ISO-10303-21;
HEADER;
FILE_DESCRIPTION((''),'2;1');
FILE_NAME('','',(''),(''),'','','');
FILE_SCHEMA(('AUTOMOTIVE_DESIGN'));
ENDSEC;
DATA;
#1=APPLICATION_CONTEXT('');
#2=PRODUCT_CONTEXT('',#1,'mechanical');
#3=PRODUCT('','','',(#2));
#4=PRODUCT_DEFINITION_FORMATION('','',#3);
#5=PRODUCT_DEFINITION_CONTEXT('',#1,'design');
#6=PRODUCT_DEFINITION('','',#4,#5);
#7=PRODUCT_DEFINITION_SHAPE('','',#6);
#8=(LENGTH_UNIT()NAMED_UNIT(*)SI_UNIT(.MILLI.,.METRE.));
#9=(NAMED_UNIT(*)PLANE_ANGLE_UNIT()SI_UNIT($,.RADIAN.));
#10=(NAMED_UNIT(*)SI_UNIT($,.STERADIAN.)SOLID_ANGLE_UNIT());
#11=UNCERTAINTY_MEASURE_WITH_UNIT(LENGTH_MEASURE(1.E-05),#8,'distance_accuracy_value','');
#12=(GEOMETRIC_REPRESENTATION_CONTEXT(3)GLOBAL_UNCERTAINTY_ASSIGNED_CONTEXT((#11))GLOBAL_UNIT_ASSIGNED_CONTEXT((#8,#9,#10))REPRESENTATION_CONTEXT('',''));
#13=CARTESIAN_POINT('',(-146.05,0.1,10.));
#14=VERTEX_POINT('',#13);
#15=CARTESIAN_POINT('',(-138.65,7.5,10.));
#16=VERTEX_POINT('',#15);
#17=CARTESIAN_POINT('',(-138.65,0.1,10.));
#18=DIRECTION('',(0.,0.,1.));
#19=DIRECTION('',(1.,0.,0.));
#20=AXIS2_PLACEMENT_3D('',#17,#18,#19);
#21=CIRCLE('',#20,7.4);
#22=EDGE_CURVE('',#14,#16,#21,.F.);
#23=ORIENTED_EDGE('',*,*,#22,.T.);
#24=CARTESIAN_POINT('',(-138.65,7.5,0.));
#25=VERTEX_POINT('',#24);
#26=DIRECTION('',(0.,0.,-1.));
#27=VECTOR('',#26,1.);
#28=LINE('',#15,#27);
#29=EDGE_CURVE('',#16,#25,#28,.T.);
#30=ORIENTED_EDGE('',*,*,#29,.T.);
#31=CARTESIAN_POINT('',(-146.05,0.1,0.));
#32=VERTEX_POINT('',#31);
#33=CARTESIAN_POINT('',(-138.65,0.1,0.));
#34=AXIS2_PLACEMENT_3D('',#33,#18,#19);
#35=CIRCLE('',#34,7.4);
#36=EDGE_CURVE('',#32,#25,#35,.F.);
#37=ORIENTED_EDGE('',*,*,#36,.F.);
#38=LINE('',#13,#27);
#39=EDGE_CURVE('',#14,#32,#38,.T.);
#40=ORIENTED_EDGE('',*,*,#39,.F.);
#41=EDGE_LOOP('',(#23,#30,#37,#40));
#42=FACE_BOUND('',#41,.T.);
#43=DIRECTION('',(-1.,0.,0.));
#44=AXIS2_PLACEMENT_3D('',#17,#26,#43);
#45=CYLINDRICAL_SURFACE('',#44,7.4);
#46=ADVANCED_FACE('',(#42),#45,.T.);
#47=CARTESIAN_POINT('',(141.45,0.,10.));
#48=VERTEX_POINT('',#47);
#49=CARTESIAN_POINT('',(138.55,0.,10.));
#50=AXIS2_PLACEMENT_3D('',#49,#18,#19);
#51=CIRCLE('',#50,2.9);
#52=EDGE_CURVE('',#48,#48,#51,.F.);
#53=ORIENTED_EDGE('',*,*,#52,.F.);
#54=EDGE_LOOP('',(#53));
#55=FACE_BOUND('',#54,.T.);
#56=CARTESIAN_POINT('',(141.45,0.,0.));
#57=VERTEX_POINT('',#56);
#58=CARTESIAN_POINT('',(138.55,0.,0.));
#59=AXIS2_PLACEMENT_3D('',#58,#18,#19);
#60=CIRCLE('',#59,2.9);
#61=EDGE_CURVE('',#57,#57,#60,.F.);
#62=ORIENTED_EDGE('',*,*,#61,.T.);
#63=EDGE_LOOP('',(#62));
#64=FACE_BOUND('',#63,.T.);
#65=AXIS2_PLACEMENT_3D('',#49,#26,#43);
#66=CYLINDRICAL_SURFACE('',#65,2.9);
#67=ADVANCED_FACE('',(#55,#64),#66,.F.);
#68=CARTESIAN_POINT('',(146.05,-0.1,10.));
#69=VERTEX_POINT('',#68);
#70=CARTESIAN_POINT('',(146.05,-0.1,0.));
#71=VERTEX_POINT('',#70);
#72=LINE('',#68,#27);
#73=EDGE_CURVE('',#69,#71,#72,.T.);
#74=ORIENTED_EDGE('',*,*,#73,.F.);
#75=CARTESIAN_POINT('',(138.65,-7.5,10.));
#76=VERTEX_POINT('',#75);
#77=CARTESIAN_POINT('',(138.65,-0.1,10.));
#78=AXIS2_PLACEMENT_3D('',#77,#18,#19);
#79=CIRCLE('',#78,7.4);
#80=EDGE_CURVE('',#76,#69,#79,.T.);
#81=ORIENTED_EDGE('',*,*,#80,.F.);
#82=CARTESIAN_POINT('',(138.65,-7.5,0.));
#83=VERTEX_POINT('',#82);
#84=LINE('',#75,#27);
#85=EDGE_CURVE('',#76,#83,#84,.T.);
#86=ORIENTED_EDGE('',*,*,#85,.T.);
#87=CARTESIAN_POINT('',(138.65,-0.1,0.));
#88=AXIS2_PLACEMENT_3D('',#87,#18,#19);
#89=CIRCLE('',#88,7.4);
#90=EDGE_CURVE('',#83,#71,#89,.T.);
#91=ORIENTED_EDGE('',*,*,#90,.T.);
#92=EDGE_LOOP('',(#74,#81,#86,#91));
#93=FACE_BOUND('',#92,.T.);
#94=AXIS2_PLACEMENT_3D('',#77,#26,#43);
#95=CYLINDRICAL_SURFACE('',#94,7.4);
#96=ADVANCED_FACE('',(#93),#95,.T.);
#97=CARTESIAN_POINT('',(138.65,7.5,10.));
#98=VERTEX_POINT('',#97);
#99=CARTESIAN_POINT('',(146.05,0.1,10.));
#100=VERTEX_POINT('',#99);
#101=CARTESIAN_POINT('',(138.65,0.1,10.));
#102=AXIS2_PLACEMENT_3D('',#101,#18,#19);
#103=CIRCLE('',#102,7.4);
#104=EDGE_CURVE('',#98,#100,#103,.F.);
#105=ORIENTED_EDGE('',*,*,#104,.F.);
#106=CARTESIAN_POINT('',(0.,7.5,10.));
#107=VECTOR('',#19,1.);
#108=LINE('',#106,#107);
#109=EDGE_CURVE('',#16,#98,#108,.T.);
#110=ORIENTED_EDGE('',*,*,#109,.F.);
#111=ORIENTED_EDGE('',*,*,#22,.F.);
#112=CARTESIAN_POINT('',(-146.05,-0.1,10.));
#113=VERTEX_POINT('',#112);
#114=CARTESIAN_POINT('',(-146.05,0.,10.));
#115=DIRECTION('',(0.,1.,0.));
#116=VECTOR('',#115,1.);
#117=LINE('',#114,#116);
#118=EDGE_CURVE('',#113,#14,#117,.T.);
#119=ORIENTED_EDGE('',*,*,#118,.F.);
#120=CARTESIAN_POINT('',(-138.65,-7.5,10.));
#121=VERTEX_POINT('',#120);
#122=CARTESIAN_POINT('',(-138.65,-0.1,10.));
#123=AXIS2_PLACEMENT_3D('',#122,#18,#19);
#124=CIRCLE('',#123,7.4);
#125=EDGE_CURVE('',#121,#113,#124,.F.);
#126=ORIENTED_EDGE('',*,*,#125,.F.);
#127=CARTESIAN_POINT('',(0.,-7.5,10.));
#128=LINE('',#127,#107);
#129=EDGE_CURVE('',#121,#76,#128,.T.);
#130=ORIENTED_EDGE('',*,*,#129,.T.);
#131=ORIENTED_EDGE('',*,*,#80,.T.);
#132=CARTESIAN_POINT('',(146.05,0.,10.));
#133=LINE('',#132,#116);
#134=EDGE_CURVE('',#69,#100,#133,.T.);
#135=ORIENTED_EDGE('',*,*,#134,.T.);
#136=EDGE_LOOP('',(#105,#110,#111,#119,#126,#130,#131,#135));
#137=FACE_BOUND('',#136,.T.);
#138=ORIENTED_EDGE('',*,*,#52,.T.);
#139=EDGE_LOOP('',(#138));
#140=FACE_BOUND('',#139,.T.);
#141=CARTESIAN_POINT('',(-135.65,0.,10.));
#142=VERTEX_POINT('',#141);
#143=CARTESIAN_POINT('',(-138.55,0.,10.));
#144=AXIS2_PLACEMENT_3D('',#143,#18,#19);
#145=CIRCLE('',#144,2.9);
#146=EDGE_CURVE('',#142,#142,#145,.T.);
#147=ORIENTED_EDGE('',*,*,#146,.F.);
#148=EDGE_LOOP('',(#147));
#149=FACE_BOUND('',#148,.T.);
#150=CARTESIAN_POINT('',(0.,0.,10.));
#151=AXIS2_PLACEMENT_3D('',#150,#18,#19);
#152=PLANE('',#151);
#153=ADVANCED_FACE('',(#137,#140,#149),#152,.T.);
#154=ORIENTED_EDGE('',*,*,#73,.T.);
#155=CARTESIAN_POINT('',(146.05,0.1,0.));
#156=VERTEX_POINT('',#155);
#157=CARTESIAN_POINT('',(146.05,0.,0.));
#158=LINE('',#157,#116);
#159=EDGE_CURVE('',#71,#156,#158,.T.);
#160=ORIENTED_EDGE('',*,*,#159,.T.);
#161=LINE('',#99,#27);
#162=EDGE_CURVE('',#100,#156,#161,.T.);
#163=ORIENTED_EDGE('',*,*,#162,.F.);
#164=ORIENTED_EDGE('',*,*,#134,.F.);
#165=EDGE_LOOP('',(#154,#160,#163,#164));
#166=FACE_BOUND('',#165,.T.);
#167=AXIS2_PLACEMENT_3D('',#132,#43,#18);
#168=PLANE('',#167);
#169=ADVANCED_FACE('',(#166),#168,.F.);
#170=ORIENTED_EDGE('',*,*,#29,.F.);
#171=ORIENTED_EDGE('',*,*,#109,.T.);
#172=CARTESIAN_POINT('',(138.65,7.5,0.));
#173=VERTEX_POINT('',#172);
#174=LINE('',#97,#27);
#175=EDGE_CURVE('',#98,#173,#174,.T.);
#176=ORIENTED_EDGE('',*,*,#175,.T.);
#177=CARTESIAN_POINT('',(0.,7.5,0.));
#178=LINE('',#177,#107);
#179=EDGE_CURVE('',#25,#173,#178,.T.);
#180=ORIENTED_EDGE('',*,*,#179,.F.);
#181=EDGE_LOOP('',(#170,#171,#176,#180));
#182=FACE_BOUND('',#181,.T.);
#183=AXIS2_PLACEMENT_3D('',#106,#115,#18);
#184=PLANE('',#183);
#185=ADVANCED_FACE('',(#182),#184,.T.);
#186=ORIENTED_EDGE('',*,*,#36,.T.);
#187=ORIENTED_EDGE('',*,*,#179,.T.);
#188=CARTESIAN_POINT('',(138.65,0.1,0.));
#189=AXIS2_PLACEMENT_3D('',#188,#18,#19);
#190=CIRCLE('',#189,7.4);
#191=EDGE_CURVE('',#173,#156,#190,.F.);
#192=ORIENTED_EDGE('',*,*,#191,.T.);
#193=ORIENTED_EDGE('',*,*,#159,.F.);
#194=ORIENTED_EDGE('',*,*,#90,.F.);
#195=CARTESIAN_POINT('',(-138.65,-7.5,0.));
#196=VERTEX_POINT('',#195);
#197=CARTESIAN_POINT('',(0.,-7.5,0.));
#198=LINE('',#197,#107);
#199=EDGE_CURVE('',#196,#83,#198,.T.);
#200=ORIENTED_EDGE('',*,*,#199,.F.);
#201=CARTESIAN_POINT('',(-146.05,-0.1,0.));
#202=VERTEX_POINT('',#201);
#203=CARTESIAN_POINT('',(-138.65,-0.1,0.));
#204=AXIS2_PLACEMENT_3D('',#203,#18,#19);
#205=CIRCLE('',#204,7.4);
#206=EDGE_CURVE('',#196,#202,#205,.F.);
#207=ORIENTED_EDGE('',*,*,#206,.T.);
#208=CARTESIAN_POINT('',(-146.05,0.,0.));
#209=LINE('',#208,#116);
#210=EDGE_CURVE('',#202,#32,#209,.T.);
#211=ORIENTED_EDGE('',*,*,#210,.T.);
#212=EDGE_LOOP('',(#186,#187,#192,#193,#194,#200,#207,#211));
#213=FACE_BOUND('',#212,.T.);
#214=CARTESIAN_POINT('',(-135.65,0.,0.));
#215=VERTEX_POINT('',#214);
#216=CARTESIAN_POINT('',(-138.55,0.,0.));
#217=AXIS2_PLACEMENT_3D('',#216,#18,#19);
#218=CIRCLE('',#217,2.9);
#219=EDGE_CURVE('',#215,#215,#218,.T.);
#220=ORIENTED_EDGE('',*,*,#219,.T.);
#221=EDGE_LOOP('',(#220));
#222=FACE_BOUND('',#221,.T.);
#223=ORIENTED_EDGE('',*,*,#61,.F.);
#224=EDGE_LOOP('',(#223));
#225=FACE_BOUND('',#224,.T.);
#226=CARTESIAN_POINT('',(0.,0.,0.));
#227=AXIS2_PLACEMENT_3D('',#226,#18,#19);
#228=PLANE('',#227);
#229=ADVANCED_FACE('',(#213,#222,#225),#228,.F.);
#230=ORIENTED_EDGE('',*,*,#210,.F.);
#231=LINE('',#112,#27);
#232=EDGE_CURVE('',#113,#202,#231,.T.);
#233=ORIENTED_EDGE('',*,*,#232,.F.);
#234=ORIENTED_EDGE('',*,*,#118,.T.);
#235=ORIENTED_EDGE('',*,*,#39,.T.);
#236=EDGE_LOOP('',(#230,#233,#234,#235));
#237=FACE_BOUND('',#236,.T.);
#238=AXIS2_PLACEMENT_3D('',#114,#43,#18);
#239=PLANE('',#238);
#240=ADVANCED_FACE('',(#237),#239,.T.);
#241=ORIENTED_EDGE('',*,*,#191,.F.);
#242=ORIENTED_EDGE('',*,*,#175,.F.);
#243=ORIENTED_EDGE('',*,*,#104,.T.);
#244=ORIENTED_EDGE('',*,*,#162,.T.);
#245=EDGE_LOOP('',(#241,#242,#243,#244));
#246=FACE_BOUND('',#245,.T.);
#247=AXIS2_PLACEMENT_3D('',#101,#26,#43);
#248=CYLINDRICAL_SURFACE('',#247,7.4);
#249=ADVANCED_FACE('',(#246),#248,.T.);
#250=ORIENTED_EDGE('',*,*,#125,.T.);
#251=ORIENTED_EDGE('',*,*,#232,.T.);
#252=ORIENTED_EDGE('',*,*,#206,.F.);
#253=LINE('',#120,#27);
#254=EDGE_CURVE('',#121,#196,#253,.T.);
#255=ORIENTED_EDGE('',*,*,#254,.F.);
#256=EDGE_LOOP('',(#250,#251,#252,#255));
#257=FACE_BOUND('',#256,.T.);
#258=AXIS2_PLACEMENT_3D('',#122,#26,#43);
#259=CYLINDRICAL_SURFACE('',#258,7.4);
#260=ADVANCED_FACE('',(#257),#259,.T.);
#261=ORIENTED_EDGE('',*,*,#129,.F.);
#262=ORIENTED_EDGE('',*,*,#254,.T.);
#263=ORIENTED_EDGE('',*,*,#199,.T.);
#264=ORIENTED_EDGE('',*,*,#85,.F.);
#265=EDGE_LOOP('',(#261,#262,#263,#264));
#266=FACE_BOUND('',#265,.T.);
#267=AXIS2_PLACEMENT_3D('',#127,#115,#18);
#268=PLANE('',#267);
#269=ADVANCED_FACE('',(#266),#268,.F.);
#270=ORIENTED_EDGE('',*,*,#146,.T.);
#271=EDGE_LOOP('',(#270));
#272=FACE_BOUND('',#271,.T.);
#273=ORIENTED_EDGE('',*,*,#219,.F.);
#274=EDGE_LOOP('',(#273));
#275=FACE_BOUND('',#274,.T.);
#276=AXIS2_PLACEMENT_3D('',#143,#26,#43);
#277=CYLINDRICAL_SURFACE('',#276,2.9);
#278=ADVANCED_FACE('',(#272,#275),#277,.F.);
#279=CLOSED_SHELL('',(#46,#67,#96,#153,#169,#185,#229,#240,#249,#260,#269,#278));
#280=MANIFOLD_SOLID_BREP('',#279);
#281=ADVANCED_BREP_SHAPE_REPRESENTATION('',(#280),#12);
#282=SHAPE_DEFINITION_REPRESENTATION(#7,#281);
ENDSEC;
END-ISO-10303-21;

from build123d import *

# Parameters (mm, degrees)
SKETCH1_R           = 2.9
BOSS_EXTRUDE1_DEPTH = 10


with BuildPart() as part:
    # Sketch1 → Boss-Extrude1 (new body)
    with BuildSketch(Plane.XY):
        with BuildLine():
            Line((-138.65, -7.5), (138.65, -7.5))
            ThreePointArc((138.65, -7.5), (143.882590181, -5.332590181), (146.05, -0.1))
            Line((146.05, -0.1), (146.05, 0.1))
            ThreePointArc((146.05, 0.1), (143.882590181, 5.332590181), (138.65, 7.5))
            Line((138.65, 7.5), (-138.65, 7.5))
            ThreePointArc((-138.65, 7.5), (-143.882590181, 5.332590181), (-146.05, 0.1))
            Line((-146.05, 0.1), (-146.05, -0.1))
            ThreePointArc((-146.05, -0.1), (-143.882590181, -5.332590181), (-138.65, -7.5))
        make_face()
        with Locations((-138.55, 0)):
            Circle(SKETCH1_R, mode=Mode.SUBTRACT)
        with Locations((138.55, 0)):
            Circle(SKETCH1_R, mode=Mode.SUBTRACT)
    extrude(amount=BOSS_EXTRUDE1_DEPTH)


solid = part.part
